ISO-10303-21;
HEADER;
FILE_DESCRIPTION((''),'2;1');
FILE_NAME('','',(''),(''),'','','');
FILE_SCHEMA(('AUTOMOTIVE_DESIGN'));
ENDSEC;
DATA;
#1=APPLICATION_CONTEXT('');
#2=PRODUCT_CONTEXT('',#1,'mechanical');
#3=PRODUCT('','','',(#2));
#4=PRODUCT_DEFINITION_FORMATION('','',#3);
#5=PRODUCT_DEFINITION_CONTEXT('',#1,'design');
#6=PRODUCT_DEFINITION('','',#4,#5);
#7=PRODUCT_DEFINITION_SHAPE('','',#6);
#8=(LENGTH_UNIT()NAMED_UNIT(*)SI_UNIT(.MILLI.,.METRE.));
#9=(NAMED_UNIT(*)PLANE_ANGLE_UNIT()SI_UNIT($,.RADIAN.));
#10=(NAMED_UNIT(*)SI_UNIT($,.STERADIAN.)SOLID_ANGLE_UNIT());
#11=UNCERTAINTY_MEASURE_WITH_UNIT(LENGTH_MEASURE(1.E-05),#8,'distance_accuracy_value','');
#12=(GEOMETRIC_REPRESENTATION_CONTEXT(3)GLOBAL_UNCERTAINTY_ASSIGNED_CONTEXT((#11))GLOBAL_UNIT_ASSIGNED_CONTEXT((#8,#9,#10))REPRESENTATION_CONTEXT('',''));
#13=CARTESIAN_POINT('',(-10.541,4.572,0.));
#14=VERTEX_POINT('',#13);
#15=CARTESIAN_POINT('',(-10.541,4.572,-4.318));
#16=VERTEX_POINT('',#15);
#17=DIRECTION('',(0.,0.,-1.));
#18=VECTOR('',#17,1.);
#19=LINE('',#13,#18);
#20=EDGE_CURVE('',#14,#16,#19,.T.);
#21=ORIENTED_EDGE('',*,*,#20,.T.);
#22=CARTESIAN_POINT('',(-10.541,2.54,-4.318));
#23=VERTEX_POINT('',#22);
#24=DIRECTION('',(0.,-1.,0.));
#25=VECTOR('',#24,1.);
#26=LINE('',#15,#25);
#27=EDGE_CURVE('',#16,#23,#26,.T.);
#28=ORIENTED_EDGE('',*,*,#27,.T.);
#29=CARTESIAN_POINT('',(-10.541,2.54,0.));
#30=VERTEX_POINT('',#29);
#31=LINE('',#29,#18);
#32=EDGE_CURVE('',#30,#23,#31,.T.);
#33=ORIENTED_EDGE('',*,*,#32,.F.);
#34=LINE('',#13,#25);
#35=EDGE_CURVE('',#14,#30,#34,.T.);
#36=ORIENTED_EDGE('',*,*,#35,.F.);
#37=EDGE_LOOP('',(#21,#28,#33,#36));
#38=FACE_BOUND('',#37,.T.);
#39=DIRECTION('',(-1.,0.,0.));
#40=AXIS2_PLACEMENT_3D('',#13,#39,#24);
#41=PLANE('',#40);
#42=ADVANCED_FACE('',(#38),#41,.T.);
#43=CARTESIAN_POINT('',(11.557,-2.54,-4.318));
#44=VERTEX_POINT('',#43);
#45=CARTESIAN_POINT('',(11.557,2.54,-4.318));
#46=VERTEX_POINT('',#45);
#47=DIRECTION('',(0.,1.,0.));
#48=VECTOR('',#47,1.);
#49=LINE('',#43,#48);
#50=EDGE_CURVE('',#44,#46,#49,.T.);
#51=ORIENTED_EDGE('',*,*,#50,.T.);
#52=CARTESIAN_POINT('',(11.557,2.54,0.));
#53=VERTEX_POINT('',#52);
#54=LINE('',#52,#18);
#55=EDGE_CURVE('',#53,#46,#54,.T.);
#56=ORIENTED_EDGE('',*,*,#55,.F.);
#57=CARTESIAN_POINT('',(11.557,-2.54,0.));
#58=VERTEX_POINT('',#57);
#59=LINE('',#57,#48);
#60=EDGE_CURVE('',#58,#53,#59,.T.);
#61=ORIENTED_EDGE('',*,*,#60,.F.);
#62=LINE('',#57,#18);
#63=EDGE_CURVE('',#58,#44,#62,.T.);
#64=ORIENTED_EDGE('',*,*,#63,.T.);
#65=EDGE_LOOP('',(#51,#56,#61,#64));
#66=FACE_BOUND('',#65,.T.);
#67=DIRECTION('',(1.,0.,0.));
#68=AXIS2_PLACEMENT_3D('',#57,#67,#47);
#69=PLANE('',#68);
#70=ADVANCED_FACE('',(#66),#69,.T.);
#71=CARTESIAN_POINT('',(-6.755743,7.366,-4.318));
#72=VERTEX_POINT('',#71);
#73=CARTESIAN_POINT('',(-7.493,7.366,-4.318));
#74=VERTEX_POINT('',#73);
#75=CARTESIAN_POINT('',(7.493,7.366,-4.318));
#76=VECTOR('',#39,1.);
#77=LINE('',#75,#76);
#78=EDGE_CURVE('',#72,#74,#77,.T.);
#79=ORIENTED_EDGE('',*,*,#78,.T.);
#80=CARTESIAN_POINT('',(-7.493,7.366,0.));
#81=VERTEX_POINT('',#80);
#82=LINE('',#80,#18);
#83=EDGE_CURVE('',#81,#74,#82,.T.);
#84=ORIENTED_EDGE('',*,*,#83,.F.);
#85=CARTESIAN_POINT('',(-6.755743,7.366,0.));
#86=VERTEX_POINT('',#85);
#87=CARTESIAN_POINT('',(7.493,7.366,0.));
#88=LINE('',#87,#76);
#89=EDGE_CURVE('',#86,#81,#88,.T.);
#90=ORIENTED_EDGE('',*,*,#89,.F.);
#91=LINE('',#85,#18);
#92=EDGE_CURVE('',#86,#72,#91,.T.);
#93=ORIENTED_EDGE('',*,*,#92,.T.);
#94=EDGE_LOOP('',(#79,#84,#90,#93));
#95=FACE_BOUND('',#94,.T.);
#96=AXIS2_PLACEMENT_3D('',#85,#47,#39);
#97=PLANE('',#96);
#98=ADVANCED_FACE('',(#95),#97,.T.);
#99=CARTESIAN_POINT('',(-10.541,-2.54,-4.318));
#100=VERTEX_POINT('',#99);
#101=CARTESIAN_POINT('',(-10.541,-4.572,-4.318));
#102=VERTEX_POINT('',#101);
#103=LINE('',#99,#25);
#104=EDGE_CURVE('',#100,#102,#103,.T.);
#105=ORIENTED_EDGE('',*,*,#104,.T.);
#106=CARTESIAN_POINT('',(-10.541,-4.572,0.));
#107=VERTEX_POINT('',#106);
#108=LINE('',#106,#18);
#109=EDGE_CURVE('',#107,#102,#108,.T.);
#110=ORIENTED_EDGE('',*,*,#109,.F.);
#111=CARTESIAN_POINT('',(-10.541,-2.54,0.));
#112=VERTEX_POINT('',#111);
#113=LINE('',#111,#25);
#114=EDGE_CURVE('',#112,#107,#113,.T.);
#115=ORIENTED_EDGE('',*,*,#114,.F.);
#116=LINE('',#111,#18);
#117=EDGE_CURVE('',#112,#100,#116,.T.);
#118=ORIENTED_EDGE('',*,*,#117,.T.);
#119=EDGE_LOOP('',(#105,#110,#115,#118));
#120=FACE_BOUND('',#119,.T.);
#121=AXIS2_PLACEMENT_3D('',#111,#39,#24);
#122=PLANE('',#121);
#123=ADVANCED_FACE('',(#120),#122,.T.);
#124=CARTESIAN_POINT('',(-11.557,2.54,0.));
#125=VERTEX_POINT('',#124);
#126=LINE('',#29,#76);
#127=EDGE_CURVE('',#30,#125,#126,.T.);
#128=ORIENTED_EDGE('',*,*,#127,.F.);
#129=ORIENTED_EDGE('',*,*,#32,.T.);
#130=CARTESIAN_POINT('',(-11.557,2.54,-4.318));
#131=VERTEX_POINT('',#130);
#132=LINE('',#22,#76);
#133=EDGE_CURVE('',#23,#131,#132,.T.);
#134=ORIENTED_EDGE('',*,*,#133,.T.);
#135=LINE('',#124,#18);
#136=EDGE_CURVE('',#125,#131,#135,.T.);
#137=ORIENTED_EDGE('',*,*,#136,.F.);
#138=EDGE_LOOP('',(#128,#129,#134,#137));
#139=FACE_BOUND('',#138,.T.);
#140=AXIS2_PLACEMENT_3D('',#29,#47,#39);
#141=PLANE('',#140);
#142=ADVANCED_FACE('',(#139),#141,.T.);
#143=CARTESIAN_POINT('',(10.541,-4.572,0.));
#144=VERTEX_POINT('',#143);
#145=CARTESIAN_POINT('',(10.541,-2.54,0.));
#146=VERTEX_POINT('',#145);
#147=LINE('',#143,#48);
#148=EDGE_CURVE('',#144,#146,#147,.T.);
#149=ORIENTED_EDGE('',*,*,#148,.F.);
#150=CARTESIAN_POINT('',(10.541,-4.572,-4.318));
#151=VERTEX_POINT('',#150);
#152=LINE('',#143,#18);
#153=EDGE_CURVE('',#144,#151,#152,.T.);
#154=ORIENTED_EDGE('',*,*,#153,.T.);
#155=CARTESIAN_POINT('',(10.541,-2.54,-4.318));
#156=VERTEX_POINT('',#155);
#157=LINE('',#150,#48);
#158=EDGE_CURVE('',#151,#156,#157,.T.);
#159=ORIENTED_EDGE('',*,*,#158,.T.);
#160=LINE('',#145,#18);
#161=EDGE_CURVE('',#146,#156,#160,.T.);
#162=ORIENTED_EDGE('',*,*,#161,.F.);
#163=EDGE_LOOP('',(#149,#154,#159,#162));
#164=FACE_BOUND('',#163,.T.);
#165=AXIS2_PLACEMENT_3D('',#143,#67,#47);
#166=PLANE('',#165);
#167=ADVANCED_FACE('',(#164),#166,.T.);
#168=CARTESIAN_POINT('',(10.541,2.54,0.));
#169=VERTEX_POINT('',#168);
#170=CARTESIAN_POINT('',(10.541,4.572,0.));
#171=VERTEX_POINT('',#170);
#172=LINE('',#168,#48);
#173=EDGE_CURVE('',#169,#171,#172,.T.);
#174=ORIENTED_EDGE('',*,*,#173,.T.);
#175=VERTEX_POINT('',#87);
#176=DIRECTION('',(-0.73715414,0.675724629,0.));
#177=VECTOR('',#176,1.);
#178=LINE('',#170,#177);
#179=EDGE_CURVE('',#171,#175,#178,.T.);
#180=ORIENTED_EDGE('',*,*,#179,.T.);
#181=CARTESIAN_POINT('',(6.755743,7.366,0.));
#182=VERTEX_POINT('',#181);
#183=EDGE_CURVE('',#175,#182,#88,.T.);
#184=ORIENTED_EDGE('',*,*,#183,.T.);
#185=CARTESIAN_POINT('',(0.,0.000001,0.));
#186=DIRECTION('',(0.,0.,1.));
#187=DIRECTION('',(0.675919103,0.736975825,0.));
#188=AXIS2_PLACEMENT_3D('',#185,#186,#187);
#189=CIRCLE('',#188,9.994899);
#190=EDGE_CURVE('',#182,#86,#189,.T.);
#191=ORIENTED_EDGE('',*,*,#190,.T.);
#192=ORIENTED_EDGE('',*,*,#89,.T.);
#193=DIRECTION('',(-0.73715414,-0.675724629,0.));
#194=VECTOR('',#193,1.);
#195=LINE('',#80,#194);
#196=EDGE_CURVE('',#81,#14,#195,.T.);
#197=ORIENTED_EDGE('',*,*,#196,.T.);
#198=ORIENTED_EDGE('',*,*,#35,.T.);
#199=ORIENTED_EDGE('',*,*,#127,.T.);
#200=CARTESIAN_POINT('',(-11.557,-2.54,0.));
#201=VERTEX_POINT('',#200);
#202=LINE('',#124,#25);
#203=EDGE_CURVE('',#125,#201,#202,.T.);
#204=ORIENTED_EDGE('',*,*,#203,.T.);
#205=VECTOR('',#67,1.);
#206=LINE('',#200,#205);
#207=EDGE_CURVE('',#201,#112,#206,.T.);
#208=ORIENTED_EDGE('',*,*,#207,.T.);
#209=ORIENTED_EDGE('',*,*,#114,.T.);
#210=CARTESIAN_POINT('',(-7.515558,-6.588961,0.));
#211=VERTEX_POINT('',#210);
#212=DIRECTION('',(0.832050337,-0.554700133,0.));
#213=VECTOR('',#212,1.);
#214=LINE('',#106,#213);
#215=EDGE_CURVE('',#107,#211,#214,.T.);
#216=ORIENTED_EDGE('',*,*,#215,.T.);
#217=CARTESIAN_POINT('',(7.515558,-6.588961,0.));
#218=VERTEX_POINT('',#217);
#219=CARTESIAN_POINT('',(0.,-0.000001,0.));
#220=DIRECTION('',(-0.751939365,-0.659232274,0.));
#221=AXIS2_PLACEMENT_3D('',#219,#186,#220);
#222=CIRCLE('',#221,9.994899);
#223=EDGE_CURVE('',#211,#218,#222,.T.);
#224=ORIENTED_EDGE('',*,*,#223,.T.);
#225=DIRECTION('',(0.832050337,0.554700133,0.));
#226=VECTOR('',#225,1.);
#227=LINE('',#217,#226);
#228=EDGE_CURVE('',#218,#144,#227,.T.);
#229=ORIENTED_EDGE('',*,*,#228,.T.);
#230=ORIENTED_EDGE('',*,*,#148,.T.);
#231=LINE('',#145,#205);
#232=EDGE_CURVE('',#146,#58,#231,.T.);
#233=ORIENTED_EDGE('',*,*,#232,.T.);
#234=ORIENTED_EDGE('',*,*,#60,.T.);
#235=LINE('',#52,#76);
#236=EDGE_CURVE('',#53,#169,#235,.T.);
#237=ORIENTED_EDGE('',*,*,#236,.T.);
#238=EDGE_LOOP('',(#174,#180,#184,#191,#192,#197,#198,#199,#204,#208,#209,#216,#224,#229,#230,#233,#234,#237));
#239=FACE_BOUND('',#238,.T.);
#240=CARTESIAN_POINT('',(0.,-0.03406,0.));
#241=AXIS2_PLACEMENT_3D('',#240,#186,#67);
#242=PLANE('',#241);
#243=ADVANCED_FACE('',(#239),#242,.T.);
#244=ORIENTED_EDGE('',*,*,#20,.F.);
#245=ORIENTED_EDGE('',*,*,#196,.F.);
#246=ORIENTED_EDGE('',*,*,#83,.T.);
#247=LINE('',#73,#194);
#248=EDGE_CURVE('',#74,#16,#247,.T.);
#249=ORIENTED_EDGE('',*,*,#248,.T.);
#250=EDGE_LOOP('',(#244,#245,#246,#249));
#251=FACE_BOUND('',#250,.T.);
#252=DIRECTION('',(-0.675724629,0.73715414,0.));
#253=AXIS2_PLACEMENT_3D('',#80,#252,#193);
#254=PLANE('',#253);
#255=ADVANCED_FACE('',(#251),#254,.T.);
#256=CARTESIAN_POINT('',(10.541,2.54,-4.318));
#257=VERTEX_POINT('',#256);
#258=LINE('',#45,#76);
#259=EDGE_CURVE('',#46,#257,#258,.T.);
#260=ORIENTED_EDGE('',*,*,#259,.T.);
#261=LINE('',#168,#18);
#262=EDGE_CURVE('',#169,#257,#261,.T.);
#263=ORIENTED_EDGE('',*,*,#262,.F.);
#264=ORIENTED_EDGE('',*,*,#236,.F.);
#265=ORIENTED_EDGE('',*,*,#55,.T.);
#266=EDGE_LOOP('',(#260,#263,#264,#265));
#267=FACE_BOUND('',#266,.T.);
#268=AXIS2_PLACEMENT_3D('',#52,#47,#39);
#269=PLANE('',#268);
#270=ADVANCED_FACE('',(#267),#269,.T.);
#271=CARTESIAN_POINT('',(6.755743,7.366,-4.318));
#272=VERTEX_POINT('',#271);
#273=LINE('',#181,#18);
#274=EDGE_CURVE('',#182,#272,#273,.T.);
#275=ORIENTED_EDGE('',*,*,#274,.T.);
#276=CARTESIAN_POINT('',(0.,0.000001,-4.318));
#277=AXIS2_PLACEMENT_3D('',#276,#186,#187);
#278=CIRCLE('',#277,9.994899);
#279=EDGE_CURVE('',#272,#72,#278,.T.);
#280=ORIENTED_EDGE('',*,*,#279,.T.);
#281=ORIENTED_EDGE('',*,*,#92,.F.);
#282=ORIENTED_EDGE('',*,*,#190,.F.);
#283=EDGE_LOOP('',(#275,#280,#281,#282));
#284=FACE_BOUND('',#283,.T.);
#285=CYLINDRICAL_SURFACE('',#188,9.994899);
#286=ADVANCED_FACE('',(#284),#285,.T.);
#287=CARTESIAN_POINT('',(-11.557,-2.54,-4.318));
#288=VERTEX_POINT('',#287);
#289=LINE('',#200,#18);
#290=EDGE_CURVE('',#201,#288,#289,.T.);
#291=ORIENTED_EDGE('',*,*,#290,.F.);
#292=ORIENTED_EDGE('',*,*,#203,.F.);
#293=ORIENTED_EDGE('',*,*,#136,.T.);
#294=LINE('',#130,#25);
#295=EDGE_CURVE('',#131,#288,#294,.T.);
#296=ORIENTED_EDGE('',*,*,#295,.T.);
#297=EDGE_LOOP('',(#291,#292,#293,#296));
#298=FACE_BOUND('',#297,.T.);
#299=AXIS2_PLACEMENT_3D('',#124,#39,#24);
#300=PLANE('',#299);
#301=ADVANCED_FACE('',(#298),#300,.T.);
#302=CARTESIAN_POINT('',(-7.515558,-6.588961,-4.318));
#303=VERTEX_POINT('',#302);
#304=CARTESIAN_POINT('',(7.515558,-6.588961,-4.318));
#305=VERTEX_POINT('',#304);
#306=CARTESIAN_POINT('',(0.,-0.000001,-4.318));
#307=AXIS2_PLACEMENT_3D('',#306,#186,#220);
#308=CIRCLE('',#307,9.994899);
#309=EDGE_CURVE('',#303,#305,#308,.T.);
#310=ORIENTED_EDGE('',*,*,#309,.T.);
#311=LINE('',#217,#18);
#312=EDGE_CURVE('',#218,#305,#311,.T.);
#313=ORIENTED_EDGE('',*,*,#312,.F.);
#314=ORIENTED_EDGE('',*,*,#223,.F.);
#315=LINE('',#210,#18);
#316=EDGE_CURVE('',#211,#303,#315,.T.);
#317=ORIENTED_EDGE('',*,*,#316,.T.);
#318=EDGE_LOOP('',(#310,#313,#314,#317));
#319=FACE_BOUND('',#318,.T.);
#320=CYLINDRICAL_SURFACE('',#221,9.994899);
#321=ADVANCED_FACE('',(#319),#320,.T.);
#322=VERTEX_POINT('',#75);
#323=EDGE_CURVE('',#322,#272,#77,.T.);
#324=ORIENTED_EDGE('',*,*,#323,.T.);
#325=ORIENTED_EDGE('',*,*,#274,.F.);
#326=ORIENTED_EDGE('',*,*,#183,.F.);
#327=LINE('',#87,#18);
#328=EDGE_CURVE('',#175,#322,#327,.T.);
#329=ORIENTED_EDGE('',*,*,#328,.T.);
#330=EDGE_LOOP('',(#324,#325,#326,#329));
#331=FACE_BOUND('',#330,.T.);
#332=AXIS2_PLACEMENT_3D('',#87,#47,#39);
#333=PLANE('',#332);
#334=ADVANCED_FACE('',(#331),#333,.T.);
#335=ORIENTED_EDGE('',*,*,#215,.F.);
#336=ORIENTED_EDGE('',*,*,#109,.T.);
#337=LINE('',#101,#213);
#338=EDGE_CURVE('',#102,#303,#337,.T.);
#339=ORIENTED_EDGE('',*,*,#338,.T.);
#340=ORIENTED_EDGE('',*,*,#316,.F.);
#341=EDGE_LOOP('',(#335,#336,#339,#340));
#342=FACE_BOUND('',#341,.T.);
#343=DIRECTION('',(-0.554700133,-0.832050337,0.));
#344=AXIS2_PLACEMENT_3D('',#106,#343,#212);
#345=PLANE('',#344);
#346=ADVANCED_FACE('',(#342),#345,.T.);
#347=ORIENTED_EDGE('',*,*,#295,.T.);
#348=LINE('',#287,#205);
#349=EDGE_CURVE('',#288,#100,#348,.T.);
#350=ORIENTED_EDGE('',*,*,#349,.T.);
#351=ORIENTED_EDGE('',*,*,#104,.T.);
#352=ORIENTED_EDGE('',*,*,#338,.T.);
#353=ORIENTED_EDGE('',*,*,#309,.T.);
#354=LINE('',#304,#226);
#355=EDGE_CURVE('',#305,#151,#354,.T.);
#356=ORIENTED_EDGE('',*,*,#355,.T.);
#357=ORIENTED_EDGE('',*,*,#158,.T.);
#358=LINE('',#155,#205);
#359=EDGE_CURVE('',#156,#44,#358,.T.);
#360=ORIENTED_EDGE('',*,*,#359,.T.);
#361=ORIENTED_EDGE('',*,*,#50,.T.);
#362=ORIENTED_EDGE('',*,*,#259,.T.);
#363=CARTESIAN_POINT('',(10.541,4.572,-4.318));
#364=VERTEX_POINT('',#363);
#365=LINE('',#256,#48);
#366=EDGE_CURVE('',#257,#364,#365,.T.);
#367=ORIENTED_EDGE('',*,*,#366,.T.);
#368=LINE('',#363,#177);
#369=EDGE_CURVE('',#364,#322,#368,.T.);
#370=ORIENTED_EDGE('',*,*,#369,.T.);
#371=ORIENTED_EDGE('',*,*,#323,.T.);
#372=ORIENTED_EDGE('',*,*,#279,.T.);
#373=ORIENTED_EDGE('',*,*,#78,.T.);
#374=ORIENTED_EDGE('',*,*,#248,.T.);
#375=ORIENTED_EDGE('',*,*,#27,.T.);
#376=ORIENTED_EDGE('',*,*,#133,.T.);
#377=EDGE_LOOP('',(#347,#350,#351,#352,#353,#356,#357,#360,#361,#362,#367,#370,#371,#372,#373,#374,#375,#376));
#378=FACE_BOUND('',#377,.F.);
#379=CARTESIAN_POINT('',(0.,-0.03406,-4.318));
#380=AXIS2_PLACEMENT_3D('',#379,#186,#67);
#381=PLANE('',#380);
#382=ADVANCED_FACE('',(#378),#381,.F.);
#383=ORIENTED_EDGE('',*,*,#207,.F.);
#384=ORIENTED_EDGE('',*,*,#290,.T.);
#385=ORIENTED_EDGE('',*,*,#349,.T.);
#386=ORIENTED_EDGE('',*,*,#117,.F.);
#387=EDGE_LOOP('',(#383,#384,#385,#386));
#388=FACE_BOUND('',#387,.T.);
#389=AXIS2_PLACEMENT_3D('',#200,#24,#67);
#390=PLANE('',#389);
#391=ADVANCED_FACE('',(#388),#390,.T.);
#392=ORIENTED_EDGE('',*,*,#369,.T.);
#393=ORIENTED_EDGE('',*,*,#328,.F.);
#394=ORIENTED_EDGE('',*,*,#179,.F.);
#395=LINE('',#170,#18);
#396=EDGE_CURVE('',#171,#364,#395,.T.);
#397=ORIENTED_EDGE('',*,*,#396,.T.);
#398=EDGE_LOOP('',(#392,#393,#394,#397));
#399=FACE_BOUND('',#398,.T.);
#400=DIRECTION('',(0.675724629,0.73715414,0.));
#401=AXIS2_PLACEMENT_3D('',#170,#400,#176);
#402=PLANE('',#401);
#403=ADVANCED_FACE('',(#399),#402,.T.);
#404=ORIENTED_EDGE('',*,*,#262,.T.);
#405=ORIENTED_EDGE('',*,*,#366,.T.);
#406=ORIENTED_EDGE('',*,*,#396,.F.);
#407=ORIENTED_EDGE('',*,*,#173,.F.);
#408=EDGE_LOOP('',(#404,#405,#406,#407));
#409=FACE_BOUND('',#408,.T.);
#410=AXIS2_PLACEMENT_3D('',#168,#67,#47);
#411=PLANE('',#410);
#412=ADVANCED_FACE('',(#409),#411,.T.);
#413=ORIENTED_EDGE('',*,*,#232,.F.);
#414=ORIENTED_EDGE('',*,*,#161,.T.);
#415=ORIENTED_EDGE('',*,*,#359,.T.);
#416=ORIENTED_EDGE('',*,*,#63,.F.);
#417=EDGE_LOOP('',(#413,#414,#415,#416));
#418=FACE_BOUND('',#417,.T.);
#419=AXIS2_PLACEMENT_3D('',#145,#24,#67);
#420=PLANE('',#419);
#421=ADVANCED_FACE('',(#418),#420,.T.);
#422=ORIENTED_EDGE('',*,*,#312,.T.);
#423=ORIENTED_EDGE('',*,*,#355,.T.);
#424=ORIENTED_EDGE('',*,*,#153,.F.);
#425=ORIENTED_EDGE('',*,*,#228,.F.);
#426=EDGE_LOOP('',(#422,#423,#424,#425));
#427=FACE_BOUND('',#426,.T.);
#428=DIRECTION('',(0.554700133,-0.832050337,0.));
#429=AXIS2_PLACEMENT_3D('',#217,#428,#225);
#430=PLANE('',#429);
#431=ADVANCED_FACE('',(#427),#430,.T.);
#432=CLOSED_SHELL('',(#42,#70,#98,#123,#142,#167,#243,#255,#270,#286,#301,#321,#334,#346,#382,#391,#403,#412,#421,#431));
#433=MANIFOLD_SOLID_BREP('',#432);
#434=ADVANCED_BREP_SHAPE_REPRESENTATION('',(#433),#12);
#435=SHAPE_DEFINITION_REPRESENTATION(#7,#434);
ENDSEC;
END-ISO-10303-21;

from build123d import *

# Parameters (mm, degrees)
F1_DEPTH = 4.318


with BuildPart() as f1:
    # F0 (on Top) → F1 (new body)
    with BuildSketch(Plane.XY):
        Polygon((-10.541, 2.54), (-11.557, 2.54), (-11.557, -2.54), (-10.541, -2.54), (-10.541, -4.572), (-7.515558, -6.588961), (-5.588, -7.874), (0, -7.874), (5.588, -7.874), (7.515558, -6.588961), (10.541, -4.572), (10.541, -2.54), (11.557, -2.54), (11.557, 2.54), (10.541, 2.54), (10.541, 4.572), (7.493, 7.366), (6.755743, 7.366), (0, 7.366), (-6.755743, 7.366), (-7.493, 7.366), (-10.541, 4.572), align=None)
        with BuildLine():
            ThreePointArc((6.755743, 7.366), (0, 9.9949), (-6.755743, 7.366))
            Line((-6.755743, 7.366), (0, 7.366))
            Line((0, 7.366), (6.755743, 7.366))
        make_face()
        with BuildLine():
            Line((-5.588, -7.874), (-7.515558, -6.588961))
            ThreePointArc((-7.515558, -6.588961), (0, -9.9949), (7.515558, -6.588961))
            Line((7.515558, -6.588961), (5.588, -7.874))
            Line((5.588, -7.874), (0, -7.874))
            Line((0, -7.874), (-5.588, -7.874))
        make_face()
    extrude(amount=-F1_DEPTH)


solid = f1.part
